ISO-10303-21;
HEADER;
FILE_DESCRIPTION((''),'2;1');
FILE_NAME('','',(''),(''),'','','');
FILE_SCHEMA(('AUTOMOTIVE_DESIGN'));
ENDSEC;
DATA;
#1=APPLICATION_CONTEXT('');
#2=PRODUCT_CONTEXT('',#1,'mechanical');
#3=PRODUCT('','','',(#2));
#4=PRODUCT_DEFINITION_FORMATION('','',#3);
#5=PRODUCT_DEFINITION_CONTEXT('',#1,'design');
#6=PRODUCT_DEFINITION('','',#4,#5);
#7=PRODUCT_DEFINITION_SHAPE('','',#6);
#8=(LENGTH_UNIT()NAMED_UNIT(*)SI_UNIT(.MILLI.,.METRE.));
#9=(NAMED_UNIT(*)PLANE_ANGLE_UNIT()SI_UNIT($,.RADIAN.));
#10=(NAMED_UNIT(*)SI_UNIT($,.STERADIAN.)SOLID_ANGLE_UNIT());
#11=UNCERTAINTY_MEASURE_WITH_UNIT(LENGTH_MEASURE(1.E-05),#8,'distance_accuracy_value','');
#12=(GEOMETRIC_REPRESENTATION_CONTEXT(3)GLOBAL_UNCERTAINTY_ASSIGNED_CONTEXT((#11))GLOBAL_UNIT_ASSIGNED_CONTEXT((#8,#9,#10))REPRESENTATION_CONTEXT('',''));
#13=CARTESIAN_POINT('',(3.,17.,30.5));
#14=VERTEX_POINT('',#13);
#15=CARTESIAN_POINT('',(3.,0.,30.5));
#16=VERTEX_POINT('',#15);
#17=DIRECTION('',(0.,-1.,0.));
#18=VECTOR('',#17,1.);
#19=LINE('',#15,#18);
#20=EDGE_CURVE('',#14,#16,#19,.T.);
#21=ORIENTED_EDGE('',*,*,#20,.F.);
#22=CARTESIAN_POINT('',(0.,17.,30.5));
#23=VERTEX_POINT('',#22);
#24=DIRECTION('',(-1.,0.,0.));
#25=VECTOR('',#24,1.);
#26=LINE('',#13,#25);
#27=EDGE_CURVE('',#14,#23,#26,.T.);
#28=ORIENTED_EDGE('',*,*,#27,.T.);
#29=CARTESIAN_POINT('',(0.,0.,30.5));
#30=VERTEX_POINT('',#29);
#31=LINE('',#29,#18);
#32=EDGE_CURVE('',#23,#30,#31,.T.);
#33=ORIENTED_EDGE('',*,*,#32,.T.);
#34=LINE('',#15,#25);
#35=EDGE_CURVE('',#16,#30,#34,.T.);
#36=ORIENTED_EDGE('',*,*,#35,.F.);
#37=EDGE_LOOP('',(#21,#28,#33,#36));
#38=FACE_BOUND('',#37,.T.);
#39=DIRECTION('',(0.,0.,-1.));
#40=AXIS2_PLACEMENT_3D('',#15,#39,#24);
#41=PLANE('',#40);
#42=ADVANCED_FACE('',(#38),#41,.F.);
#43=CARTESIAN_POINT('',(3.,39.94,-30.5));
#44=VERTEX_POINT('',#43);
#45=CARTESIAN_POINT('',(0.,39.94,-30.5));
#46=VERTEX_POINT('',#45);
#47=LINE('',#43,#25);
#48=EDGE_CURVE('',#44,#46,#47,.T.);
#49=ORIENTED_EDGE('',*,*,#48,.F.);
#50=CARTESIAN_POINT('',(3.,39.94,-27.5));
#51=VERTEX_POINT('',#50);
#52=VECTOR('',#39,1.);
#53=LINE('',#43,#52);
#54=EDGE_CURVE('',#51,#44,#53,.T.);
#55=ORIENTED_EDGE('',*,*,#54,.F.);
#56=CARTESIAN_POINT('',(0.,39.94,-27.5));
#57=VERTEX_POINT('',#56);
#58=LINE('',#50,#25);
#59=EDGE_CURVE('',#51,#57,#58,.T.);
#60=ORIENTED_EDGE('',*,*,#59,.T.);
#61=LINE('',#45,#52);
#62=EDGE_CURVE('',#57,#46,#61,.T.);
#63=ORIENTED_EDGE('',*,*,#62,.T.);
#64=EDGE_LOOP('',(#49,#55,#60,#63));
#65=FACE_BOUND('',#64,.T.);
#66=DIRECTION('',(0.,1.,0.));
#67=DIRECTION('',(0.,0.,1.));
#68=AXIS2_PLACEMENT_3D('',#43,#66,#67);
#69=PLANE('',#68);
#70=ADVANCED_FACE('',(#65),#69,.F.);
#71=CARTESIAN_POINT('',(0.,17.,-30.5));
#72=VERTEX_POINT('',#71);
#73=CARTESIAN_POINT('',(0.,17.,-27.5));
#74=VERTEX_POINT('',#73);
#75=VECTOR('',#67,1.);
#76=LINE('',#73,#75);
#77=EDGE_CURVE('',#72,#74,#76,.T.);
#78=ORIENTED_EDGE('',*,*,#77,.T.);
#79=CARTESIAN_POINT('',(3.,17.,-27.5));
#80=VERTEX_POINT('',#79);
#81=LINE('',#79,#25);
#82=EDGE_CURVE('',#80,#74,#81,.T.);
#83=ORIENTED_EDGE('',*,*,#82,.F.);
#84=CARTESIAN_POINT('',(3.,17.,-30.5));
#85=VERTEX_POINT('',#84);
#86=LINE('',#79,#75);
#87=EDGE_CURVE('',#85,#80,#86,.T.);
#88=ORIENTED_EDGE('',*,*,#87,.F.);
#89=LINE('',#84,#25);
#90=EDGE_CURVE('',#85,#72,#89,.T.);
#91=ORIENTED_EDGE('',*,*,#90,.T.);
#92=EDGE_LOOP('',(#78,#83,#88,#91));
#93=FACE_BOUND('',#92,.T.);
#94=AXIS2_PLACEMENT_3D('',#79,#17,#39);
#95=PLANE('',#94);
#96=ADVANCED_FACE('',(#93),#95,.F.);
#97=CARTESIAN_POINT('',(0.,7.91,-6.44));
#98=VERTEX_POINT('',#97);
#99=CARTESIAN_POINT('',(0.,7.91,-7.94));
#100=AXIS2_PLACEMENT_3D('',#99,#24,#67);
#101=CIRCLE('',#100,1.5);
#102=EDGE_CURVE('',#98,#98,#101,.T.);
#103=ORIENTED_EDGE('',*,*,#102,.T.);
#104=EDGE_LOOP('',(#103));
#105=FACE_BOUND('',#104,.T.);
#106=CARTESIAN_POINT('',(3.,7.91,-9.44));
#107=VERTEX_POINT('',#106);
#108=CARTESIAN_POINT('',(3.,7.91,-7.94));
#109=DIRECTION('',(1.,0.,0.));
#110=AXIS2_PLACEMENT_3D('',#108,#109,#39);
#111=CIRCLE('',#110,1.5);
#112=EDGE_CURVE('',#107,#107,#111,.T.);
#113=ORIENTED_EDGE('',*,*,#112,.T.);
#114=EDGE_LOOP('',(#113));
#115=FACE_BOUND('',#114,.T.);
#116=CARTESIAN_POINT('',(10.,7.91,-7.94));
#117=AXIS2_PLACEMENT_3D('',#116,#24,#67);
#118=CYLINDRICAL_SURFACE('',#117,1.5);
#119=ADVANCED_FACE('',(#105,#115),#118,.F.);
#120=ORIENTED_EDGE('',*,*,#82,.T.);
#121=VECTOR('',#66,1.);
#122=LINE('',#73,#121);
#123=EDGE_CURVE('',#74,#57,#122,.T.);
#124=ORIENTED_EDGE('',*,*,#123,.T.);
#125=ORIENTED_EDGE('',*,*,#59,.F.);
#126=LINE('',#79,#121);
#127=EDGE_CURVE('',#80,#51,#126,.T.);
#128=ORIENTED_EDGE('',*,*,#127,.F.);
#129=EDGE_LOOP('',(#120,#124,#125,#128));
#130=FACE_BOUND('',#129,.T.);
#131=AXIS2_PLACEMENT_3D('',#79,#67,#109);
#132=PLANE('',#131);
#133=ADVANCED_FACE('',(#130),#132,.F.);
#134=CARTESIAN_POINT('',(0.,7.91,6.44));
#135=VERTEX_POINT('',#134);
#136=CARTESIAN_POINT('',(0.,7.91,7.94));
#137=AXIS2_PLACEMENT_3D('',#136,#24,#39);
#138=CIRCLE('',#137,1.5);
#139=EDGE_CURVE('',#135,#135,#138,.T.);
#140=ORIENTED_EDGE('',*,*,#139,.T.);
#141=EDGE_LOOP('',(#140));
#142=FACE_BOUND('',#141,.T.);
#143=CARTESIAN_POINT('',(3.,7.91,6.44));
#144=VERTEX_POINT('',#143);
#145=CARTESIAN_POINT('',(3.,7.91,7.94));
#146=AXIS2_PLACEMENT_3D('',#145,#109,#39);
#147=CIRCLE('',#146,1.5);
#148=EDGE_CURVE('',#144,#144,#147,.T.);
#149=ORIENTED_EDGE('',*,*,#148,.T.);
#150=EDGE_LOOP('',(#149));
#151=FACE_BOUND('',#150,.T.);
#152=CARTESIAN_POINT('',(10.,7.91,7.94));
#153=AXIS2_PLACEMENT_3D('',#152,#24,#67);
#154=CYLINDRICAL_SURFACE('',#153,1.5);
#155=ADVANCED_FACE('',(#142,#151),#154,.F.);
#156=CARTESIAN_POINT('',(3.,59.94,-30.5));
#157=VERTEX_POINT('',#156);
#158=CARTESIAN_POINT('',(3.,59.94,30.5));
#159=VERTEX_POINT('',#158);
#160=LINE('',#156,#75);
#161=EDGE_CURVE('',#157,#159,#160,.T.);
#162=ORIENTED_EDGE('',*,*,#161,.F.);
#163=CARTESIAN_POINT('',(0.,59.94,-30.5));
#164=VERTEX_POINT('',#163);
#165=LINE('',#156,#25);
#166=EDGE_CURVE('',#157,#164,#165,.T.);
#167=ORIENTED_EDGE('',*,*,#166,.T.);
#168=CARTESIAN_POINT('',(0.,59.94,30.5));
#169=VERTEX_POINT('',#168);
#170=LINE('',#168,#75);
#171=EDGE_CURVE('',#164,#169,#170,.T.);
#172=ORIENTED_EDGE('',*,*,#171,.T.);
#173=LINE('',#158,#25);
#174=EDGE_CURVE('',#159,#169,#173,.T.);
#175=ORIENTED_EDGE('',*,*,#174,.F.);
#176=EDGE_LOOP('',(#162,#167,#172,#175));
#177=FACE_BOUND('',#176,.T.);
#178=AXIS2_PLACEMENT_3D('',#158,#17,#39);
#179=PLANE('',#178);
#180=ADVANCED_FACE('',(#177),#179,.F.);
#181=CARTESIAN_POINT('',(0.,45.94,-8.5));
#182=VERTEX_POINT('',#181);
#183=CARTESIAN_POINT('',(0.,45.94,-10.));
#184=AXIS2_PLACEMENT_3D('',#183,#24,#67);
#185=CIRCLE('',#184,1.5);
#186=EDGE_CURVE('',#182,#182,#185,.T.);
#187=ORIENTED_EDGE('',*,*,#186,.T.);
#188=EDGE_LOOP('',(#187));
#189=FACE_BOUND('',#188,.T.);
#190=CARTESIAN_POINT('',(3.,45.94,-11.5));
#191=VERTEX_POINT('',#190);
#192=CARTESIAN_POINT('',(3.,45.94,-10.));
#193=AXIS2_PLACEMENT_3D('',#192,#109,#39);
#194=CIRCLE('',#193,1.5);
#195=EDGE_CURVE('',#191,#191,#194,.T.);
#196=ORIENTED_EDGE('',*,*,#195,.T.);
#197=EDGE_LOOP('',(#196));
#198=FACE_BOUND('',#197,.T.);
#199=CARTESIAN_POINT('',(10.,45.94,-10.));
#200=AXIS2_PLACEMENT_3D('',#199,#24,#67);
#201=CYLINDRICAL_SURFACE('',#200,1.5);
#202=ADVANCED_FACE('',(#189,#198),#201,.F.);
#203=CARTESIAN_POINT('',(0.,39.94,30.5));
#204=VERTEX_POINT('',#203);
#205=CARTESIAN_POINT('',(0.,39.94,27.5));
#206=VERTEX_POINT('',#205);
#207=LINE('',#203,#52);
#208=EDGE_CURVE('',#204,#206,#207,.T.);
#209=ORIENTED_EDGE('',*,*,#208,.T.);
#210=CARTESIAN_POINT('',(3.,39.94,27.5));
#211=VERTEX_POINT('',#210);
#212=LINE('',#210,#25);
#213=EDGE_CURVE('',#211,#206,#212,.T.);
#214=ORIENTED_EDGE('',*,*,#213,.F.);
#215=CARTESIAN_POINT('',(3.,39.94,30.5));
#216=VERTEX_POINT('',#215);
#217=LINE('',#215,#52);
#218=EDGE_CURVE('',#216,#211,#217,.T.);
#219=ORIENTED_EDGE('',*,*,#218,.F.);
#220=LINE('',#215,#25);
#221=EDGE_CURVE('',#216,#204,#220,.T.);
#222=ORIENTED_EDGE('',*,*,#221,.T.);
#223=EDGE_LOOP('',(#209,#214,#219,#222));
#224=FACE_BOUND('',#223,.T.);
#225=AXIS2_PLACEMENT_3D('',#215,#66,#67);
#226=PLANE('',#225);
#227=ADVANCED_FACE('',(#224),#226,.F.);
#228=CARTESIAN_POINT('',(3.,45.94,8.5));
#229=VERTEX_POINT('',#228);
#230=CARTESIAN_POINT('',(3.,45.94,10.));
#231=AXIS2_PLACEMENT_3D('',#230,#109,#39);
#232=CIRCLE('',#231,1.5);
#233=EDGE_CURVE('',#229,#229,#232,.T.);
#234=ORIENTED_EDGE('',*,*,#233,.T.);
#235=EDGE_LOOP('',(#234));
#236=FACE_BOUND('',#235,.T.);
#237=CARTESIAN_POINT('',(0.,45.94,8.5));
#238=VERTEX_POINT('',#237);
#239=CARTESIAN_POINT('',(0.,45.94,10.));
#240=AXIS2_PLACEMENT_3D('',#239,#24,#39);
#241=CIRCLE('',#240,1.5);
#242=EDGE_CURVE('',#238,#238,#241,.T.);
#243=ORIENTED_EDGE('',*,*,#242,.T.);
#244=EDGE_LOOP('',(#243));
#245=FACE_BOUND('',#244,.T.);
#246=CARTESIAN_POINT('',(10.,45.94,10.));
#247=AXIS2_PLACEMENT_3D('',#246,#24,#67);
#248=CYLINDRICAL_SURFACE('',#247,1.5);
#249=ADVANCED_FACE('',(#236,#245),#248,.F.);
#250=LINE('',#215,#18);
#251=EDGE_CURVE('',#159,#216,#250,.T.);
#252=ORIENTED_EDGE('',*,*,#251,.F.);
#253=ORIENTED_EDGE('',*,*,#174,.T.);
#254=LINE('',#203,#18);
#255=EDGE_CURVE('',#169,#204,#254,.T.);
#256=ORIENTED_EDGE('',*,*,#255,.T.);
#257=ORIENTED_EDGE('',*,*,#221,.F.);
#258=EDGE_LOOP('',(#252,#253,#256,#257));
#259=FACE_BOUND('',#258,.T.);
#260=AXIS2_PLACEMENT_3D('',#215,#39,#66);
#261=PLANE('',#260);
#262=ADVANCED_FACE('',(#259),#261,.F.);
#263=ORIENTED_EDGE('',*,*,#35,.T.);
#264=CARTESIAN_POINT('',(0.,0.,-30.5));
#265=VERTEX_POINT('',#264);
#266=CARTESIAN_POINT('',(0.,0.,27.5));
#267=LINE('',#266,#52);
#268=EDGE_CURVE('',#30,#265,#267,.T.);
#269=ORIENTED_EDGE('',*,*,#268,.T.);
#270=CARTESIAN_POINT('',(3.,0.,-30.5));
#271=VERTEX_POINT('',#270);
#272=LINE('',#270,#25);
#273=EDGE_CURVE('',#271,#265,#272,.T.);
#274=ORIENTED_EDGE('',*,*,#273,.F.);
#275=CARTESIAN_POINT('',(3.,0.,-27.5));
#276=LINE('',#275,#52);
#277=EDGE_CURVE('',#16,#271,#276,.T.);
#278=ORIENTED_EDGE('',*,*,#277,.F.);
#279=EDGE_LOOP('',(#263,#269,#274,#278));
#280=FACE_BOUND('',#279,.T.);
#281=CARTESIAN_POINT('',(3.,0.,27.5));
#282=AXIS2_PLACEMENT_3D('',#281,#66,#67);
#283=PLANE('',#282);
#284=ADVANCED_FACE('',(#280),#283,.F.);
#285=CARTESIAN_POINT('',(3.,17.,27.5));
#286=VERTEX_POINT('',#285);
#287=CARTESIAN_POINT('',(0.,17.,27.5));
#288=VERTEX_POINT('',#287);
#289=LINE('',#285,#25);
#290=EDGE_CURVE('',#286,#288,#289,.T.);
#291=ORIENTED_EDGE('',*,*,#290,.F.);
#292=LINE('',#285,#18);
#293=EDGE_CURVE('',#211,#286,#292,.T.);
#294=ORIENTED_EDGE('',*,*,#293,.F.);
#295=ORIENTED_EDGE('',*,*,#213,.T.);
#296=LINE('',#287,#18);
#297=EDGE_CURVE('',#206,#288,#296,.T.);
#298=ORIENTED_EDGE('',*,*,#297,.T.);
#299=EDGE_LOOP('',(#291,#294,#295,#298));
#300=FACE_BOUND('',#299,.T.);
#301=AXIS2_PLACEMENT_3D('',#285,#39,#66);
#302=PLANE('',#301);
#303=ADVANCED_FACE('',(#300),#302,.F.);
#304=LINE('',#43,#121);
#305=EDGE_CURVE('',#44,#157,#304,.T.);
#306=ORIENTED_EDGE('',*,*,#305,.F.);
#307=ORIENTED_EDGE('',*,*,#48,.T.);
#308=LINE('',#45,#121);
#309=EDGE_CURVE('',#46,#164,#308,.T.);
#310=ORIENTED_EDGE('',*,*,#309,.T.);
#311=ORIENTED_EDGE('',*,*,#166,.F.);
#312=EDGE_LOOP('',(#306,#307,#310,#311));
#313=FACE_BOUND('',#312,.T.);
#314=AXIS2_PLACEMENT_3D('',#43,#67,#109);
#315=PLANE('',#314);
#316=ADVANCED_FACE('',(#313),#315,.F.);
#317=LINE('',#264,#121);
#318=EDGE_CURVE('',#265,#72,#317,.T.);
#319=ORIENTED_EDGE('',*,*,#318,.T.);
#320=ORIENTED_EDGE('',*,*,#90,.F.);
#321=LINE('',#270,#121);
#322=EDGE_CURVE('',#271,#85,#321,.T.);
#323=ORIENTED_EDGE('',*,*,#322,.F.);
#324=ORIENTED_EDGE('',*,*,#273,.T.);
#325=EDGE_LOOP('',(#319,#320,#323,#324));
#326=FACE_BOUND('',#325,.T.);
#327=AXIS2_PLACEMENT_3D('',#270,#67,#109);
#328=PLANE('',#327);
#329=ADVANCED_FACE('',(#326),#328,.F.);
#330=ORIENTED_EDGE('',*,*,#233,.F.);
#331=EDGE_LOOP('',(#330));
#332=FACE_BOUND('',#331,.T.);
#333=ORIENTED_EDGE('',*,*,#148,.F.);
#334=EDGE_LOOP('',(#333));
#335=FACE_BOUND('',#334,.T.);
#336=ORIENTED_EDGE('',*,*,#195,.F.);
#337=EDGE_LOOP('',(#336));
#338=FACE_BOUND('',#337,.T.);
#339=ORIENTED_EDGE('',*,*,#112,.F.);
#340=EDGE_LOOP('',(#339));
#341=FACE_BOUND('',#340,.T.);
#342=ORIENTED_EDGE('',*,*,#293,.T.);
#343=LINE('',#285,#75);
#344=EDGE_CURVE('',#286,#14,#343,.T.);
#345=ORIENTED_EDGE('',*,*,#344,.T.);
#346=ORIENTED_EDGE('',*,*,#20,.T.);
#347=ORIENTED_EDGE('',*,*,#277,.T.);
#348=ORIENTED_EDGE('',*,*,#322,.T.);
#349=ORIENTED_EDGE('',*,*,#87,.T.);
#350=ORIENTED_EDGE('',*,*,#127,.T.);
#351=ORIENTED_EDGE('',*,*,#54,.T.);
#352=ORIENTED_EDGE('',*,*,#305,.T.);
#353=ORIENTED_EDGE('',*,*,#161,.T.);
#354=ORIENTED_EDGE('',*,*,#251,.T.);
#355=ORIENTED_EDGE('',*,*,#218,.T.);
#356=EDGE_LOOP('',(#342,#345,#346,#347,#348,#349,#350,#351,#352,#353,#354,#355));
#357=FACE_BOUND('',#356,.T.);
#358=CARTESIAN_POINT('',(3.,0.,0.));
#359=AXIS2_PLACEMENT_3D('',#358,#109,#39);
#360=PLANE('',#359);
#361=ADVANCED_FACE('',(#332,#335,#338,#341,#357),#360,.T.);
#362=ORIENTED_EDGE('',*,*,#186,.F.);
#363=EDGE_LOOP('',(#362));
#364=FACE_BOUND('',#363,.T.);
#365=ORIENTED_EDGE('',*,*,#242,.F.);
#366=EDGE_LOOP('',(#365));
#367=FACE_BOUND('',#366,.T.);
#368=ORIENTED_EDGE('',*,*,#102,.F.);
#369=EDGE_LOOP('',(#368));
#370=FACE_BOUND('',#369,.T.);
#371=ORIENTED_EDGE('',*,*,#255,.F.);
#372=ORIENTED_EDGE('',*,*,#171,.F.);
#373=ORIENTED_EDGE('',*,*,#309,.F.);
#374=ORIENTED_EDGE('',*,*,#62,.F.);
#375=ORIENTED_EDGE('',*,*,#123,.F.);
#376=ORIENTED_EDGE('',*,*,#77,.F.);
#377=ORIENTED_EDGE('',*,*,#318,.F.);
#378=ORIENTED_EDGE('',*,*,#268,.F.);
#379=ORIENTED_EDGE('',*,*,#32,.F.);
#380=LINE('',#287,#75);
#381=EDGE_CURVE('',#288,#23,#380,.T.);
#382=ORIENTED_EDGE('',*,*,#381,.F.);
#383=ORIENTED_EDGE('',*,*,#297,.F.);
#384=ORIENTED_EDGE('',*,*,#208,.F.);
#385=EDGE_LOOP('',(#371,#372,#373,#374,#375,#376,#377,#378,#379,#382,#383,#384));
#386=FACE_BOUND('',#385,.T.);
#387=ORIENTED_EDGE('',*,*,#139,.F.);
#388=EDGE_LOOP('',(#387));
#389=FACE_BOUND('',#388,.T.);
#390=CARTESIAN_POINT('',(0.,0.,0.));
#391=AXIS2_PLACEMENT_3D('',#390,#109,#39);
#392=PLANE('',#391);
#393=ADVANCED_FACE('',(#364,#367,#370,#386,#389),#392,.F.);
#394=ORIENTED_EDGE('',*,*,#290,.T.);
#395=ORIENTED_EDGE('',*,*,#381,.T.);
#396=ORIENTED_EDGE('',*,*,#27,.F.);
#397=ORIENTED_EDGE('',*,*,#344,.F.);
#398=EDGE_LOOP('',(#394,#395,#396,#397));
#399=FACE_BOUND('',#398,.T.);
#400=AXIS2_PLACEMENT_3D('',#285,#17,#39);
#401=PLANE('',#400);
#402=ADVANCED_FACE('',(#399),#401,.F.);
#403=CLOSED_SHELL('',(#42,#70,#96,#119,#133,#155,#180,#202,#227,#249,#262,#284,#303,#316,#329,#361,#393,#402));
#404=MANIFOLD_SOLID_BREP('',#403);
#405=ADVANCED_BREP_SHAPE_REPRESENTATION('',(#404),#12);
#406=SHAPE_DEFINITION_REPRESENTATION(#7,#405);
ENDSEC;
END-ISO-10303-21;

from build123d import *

# Parameters (mm, degrees)
BOSS_EXTRUDE1_DEPTH   = 3
CROQUIS1_R            = 1.5
CORTAR_EXTRUIR1_DEPTH = 10


with BuildPart() as part:
    # Sketch1 → Boss-Extrude1 (new body)
    with BuildSketch(Plane(origin=(0, 0, 0), x_dir=(0, 0, -1), z_dir=(1, 0, 0))):
        Polygon((-27.5, 0), (27.5, 0), (30.5, 0), (30.5, 17), (27.5, 17), (27.5, 39.94), (30.5, 39.94), (30.5, 59.94), (27.5, 59.94), (-27.5, 59.94), (-30.5, 59.94), (-30.5, 39.94), (-27.5, 39.94), (-27.5, 17), (-30.5, 17), (-30.5, 0), align=None)
    extrude(amount=BOSS_EXTRUDE1_DEPTH)

    # Croquis1 → Cortar-Extruir1 (cut)
    with BuildSketch(Plane.ZY):
        with Locations((-7.94, 7.91)):
            Circle(CROQUIS1_R)
        with Locations(Location((7.94, 7.91, 0), (0, 0, 180))):
            Circle(CROQUIS1_R)
        with Locations((-10, 45.94)):
            Circle(CROQUIS1_R)
        with Locations(Location((10, 45.94, 0), (0, 0, 180))):
            Circle(CROQUIS1_R)
    extrude(amount=-CORTAR_EXTRUIR1_DEPTH, mode=Mode.SUBTRACT)


solid = part.part
